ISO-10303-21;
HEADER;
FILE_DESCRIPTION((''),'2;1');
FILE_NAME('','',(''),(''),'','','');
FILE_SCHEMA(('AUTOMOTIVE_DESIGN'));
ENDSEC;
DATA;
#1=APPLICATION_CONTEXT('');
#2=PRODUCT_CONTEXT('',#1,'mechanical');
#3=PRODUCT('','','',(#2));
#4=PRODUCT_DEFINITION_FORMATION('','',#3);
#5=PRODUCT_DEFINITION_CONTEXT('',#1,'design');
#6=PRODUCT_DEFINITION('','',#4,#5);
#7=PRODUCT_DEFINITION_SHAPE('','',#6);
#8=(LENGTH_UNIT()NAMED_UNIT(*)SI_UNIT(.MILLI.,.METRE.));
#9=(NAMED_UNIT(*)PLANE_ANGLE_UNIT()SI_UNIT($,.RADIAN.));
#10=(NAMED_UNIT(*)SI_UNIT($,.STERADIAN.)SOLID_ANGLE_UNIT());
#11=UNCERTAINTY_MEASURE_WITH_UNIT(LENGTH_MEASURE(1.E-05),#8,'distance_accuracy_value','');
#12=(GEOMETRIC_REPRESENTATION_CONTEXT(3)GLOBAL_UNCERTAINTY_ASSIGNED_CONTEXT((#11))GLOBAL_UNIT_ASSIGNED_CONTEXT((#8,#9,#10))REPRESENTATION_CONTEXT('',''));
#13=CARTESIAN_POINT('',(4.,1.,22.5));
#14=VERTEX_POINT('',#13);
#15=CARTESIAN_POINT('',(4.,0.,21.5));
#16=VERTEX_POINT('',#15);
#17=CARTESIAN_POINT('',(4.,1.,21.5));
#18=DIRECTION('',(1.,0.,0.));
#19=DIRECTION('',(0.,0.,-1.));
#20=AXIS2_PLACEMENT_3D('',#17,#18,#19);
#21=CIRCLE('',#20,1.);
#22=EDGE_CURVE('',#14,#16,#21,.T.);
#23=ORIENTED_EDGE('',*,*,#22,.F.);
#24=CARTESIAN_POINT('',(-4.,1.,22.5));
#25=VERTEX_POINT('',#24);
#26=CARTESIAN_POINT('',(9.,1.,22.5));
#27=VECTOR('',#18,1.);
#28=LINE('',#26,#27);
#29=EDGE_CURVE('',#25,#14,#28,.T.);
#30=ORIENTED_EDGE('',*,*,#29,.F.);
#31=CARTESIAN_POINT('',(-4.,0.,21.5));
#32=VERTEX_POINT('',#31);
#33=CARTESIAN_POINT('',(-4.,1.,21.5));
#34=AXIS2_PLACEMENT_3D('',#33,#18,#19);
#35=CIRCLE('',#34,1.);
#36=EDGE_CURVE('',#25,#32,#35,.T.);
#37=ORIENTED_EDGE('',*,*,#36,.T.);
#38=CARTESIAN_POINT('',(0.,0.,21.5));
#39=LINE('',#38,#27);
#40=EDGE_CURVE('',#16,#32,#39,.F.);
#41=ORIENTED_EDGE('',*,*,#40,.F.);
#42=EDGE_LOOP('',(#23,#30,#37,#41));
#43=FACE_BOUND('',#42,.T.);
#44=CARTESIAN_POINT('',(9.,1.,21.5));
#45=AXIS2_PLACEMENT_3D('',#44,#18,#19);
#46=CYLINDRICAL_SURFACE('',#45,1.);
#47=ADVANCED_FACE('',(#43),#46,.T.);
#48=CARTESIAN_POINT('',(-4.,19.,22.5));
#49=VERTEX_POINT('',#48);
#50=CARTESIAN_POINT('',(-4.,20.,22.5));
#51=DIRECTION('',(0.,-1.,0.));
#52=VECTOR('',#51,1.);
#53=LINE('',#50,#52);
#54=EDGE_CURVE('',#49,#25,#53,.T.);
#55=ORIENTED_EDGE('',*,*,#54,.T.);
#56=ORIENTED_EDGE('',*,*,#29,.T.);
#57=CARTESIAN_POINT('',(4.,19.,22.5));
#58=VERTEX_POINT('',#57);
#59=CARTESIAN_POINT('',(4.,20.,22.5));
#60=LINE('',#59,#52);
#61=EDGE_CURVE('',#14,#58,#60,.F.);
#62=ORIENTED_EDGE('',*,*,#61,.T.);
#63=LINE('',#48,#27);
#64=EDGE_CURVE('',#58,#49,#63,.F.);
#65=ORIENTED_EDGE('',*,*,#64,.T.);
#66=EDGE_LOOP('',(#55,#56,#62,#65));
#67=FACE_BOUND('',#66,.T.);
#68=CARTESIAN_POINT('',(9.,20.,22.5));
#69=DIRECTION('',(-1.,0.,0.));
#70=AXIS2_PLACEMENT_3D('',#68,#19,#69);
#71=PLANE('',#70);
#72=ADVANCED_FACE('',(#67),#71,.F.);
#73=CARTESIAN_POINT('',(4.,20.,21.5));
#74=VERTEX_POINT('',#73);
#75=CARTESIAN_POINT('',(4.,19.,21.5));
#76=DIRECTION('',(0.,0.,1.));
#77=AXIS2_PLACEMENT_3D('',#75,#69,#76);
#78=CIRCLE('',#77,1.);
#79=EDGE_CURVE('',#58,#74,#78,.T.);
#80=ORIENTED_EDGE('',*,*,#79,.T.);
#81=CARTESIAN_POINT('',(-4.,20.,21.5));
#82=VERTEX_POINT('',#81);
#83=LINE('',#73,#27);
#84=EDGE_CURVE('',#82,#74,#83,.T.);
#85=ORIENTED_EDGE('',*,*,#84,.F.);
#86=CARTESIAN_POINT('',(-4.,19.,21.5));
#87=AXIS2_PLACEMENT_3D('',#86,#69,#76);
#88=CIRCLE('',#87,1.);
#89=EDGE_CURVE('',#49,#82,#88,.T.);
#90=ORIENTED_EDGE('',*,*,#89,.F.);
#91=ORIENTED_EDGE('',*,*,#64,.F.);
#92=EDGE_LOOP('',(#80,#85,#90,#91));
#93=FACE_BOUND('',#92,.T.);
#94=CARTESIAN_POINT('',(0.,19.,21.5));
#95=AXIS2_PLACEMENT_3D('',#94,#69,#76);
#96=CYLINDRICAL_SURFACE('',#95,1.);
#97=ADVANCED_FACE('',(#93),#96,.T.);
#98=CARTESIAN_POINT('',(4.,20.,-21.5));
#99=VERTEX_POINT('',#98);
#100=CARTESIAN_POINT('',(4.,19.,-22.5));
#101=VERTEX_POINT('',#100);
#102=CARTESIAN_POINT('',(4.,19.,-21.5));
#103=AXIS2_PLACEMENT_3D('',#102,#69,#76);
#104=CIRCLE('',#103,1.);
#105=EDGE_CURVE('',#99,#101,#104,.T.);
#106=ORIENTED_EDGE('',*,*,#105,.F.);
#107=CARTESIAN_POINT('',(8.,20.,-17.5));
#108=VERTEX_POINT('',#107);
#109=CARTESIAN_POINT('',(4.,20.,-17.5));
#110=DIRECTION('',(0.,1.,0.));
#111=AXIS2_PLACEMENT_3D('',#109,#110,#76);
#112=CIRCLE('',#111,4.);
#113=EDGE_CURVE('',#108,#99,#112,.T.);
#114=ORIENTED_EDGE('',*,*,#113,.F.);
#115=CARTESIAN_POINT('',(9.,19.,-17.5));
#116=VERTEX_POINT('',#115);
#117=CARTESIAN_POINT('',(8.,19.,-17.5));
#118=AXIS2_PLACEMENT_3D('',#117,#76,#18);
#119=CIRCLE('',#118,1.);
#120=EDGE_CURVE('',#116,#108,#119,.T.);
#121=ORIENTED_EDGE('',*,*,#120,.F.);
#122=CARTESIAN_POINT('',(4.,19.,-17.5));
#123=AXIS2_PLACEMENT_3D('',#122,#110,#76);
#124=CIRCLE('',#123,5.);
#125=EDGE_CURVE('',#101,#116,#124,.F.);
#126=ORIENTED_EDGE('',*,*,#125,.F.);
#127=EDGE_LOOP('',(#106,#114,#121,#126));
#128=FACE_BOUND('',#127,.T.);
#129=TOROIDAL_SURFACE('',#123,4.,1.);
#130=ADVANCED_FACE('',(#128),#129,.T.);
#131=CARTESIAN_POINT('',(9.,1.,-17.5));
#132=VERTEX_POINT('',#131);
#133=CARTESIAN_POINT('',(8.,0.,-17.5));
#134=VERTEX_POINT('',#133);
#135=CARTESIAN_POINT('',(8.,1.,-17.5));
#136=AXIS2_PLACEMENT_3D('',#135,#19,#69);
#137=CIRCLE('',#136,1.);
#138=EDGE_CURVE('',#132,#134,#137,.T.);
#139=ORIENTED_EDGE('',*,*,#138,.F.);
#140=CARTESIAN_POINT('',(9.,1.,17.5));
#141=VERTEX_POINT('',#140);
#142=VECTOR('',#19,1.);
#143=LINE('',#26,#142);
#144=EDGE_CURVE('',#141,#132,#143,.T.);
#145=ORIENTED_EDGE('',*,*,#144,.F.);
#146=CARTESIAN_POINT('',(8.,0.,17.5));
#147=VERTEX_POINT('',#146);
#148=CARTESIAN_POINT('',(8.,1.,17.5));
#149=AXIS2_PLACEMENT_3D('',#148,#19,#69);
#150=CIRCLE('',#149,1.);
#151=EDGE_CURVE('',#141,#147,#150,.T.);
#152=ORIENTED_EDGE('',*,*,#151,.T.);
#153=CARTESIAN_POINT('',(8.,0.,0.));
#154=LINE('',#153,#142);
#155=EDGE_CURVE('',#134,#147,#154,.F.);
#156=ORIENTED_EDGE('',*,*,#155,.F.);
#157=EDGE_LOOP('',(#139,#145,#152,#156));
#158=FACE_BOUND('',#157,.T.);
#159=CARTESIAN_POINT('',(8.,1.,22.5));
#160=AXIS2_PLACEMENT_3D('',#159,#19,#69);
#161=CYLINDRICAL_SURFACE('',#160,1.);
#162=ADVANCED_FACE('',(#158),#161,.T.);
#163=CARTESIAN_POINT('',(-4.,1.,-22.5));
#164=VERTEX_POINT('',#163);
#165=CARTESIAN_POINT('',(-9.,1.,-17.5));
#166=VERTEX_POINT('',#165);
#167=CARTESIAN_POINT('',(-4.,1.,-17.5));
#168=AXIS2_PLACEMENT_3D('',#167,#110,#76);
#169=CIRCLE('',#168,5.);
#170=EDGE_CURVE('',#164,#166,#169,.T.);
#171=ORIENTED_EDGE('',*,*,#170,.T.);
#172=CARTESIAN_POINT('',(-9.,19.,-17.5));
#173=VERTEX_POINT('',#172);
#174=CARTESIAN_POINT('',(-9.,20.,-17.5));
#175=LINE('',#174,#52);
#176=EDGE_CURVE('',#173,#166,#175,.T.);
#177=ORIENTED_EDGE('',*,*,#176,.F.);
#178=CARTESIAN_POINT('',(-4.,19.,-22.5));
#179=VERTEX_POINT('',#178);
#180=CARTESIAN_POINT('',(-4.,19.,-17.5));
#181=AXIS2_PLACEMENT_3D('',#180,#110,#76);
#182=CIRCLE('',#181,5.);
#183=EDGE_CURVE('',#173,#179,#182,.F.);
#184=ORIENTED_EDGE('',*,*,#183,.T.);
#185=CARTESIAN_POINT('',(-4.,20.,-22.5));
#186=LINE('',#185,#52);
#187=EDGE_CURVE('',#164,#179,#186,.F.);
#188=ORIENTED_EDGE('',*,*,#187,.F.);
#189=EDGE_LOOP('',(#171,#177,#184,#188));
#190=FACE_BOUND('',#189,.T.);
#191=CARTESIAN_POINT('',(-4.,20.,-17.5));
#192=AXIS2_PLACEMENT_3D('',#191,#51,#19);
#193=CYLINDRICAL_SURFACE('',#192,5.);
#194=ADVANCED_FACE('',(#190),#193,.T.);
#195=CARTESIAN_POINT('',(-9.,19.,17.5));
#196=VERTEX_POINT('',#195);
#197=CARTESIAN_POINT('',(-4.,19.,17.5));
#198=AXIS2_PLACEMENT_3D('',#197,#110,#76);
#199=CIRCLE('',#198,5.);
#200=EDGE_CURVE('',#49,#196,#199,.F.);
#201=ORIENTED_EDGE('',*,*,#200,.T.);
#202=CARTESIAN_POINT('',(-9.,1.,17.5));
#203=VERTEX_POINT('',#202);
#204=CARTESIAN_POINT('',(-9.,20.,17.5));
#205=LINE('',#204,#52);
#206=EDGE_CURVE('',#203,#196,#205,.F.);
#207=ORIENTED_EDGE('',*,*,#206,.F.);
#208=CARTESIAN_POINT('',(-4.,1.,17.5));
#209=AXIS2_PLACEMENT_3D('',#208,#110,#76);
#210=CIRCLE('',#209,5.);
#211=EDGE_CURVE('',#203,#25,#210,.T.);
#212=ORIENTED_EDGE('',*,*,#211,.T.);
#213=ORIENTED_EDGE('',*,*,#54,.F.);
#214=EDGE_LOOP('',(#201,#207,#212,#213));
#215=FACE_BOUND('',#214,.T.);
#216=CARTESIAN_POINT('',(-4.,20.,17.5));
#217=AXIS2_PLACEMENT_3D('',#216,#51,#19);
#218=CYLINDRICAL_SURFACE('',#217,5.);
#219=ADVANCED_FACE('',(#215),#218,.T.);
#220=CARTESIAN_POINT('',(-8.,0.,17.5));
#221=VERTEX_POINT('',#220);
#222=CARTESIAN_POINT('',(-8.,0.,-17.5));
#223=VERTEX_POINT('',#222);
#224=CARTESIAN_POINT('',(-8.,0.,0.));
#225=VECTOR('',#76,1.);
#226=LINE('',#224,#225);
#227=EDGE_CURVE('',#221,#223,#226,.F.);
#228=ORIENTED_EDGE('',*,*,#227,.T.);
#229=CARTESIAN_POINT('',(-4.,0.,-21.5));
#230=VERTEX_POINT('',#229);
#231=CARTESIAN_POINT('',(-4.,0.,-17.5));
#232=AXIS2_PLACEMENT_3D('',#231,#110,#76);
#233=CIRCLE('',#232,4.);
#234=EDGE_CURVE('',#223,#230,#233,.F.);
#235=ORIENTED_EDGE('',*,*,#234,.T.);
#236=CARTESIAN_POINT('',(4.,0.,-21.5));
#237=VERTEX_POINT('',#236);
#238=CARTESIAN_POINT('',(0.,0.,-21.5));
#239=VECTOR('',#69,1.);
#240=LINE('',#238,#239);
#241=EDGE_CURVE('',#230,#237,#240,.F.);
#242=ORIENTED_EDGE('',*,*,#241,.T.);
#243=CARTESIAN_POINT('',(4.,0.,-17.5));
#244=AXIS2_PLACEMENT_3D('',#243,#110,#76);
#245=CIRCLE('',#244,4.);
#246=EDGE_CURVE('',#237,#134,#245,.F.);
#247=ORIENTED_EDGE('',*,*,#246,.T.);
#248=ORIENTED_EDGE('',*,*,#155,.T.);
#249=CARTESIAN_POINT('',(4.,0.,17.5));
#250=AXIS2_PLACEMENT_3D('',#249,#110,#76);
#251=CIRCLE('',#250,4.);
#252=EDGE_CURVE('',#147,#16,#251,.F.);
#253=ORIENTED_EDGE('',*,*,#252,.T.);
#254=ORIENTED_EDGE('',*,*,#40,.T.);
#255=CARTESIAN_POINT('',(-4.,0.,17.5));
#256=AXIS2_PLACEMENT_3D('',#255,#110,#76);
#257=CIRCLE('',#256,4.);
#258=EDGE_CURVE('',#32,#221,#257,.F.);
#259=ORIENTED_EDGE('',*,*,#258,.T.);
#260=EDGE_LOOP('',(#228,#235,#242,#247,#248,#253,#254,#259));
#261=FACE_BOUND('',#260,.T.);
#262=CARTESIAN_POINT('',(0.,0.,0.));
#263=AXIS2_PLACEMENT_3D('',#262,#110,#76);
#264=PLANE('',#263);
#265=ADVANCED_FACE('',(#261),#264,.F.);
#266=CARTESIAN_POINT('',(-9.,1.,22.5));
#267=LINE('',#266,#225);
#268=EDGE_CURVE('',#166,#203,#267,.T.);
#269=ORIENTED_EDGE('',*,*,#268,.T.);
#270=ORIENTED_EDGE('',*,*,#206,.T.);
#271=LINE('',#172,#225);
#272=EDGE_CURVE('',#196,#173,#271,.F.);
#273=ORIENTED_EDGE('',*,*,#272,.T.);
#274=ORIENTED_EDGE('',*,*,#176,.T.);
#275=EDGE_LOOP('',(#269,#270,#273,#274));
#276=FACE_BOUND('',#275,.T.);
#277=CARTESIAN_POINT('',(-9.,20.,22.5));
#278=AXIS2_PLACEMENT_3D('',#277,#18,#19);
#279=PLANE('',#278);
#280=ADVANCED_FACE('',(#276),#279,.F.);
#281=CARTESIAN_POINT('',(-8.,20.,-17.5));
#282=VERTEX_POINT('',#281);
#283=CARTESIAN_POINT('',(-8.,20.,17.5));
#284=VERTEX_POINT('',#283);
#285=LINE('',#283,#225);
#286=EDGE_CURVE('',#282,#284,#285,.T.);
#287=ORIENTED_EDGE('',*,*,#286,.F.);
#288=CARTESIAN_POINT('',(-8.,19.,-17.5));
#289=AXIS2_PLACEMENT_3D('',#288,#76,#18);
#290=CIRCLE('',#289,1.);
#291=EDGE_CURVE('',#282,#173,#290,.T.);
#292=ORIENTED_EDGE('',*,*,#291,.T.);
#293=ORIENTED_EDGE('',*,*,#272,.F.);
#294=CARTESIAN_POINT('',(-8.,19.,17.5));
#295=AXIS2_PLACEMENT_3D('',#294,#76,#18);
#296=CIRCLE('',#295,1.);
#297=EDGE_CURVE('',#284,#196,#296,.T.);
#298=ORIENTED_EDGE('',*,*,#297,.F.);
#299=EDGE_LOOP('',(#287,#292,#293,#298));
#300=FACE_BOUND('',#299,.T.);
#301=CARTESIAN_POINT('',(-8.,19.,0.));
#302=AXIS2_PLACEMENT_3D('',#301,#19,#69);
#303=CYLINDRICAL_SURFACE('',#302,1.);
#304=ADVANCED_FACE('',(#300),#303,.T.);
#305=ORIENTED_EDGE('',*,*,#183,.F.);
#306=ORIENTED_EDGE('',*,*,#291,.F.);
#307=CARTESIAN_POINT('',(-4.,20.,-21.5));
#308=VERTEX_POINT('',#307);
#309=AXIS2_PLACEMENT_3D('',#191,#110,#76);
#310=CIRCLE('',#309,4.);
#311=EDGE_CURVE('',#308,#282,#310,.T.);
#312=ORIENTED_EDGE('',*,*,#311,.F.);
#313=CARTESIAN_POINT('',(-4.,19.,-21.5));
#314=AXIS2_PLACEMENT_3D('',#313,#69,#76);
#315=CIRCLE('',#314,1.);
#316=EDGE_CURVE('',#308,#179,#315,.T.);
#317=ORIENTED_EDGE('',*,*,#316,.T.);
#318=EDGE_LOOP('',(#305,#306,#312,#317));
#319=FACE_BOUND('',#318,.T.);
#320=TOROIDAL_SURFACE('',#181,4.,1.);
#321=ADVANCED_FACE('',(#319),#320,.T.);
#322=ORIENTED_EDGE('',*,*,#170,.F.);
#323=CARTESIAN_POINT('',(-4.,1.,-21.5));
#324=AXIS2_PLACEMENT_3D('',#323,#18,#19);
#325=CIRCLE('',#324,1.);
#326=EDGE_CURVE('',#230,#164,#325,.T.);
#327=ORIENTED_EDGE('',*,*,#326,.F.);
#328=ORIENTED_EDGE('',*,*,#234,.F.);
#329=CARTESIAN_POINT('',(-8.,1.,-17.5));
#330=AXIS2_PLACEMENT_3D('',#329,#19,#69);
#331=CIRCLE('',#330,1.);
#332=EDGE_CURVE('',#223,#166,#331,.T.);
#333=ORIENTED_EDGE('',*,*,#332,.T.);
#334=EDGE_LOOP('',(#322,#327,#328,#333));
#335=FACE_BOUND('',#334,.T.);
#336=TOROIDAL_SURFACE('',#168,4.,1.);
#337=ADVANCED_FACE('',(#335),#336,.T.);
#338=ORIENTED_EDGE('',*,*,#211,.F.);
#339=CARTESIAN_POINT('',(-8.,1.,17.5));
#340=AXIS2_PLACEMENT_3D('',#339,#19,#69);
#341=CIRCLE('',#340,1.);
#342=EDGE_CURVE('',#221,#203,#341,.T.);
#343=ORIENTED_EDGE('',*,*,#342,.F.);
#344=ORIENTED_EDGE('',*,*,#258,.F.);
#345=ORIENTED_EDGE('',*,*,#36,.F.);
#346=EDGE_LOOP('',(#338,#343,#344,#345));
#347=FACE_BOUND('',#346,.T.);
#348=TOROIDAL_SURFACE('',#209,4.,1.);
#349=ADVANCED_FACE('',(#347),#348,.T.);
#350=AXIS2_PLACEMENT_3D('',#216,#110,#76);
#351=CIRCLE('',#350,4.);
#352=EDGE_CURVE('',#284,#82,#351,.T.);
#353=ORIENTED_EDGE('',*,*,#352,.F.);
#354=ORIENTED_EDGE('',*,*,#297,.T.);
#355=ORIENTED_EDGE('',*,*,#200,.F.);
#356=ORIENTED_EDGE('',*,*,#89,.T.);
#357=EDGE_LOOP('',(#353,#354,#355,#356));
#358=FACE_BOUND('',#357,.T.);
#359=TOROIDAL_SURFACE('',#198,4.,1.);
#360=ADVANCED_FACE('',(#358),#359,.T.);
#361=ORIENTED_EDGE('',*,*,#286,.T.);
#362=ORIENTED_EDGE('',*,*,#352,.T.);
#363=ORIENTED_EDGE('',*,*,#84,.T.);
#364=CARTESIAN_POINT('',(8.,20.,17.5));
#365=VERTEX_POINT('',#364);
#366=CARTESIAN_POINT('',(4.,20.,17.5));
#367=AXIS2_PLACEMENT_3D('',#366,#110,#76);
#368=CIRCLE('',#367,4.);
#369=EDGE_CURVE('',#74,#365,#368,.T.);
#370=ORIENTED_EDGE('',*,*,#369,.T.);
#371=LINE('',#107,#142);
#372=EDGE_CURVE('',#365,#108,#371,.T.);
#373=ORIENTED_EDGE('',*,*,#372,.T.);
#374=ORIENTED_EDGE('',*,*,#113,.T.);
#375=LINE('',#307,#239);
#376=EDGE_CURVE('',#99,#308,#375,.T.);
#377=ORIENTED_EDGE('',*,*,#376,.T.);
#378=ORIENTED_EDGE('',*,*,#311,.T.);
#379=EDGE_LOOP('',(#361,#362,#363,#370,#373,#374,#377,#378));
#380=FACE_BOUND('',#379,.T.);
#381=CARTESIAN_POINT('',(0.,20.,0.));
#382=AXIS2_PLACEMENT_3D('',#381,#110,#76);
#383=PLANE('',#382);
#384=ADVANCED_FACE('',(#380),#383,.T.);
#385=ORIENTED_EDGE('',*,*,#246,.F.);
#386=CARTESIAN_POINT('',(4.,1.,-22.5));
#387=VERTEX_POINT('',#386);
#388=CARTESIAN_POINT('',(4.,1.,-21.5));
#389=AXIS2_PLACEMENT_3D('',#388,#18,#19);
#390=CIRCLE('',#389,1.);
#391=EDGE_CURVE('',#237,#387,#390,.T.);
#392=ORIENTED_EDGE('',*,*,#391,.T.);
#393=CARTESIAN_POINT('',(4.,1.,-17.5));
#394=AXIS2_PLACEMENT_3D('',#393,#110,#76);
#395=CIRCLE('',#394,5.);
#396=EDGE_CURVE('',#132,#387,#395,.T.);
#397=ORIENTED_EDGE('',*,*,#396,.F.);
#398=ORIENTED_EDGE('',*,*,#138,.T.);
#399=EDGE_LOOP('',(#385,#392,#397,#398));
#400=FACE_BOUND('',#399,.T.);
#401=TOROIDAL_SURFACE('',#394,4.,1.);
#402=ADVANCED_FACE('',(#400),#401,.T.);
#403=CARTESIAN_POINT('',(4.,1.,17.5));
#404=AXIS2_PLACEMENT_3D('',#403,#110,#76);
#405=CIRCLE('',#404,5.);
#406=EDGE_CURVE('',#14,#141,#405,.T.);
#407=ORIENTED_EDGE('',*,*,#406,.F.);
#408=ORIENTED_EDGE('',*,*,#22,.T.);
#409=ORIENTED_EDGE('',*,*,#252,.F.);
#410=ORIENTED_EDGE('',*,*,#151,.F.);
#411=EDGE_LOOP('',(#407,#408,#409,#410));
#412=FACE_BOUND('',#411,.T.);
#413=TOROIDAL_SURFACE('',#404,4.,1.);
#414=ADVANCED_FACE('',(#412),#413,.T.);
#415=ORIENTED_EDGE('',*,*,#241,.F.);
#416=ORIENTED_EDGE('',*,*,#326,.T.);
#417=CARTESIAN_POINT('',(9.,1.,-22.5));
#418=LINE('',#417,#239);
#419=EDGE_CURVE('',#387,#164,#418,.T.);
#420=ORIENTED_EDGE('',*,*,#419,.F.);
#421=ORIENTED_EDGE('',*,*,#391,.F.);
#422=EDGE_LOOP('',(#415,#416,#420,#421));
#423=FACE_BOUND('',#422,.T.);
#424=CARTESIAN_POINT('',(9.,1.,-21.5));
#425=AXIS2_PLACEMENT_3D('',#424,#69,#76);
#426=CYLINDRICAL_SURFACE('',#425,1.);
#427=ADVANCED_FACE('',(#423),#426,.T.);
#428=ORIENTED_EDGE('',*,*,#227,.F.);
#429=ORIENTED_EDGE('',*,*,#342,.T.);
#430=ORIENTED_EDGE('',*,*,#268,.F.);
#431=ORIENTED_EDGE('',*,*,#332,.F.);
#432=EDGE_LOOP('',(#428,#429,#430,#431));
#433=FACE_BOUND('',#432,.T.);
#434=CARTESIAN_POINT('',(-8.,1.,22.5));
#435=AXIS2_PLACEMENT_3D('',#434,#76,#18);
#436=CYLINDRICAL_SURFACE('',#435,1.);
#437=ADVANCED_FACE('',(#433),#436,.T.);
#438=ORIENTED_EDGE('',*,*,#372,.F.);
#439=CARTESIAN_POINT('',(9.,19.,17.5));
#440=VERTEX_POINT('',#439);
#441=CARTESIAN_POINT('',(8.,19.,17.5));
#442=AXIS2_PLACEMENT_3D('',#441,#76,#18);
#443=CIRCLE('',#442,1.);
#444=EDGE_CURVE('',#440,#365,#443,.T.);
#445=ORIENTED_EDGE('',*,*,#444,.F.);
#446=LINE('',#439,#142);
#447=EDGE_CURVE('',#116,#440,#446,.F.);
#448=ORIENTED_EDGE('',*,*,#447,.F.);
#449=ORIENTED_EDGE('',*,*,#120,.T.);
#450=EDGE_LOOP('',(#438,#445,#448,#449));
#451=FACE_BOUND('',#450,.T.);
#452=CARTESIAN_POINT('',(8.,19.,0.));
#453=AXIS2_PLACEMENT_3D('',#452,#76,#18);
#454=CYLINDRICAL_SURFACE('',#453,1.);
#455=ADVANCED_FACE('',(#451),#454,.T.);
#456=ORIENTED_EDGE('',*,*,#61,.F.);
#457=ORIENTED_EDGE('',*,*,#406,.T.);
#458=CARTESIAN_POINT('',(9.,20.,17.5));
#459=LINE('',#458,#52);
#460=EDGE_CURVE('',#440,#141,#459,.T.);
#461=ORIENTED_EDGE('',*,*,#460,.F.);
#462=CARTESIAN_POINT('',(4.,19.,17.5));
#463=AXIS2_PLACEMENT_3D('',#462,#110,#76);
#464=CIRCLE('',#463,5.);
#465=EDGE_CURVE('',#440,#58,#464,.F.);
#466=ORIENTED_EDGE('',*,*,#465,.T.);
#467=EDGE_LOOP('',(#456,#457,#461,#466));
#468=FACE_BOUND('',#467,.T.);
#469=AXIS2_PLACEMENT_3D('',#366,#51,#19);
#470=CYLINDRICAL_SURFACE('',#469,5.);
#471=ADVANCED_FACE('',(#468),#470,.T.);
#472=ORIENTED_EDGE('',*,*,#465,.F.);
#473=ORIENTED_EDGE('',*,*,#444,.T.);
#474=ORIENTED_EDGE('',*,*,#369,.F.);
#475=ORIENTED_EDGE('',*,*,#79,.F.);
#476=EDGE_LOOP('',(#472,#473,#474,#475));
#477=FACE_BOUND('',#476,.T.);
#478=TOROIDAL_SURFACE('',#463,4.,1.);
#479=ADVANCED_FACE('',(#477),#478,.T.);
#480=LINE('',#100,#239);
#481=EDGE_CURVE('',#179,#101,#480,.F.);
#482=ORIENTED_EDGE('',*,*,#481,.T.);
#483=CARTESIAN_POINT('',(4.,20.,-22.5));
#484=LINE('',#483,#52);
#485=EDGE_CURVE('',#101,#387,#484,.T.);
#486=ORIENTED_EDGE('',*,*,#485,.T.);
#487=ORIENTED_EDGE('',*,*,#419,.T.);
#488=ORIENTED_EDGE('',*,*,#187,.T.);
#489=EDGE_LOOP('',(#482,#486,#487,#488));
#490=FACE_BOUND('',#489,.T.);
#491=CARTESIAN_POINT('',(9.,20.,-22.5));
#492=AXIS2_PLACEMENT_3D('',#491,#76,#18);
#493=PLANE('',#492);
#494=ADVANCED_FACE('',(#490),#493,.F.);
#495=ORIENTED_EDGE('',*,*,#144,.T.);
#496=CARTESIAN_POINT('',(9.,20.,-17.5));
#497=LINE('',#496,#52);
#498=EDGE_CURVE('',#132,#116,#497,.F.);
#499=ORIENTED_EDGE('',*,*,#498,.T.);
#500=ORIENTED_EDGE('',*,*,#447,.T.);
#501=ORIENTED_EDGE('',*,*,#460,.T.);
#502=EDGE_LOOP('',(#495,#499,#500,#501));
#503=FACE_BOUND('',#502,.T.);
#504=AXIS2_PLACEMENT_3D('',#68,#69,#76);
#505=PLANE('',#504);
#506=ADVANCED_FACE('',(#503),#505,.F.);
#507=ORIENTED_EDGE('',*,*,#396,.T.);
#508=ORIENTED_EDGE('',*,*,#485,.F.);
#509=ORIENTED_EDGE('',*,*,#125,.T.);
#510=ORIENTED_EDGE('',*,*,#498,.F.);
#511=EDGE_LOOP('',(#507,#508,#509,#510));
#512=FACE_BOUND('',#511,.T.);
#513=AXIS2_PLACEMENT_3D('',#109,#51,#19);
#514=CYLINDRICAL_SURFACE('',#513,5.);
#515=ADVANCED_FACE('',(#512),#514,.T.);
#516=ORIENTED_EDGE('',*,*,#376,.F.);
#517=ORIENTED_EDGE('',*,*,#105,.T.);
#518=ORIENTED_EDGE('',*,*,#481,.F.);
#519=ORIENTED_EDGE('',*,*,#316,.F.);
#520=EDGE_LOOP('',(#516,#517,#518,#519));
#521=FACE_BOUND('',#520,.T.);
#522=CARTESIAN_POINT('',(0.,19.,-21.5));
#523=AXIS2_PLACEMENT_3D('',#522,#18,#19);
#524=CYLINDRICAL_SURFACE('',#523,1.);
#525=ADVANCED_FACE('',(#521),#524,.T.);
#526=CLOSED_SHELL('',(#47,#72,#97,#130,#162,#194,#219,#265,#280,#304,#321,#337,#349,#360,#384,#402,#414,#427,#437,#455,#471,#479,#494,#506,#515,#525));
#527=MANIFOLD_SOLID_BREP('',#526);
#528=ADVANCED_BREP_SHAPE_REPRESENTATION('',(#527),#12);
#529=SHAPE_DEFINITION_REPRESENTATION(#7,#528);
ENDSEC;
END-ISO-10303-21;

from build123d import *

# Parameters (mm, degrees)
SKETCH1_W           = 18
SKETCH1_H           = 45
BOSS_EXTRUDE1_DEPTH = 20
FILLET1_R           = 5
FILLET2_R           = 1


with BuildPart() as part:
    # Sketch1 → Boss-Extrude1 (new body)
    with BuildSketch(Plane(origin=(0, 0, 0), x_dir=(1, 0, 0), z_dir=(0, 1, 0))):
        Rectangle(SKETCH1_W, SKETCH1_H)
    extrude(amount=BOSS_EXTRUDE1_DEPTH)

    # Fillet1
    fillet1_edges = [part.edges().sort_by_distance(p)[0] for p in [
        (-9, 10, -22.5),
        (9, 10, -22.5),
        (9, 10, 22.5),
        (-9, 10, 22.5),
    ]]
    fillet(fillet1_edges, radius=FILLET1_R)

    # Fillet2
    fillet2_edges = [part.edges().sort_by_distance(p)[0] for p in [
        (9, 0, 0),
        (9, 20, 0),
        (-9, 0, 0),
        (0, 0, -22.5),
        (0, 0, 22.5),
        (-7.535533906, 0, -21.035533906),
        (7.535533906, 0, -21.035533906),
        (-7.535533906, 0, 21.035533906),
        (7.535533906, 0, 21.035533906),
        (0, 20, 22.5),
        (-9, 20, 0),
        (0, 20, -22.5),
        (-7.535533906, 20, -21.035533906),
        (7.535533906, 20, -21.035533906),
        (-7.535533906, 20, 21.035533906),
        (7.535533906, 20, 21.035533906),
    ]]
    fillet(fillet2_edges, radius=FILLET2_R)


solid = part.part
